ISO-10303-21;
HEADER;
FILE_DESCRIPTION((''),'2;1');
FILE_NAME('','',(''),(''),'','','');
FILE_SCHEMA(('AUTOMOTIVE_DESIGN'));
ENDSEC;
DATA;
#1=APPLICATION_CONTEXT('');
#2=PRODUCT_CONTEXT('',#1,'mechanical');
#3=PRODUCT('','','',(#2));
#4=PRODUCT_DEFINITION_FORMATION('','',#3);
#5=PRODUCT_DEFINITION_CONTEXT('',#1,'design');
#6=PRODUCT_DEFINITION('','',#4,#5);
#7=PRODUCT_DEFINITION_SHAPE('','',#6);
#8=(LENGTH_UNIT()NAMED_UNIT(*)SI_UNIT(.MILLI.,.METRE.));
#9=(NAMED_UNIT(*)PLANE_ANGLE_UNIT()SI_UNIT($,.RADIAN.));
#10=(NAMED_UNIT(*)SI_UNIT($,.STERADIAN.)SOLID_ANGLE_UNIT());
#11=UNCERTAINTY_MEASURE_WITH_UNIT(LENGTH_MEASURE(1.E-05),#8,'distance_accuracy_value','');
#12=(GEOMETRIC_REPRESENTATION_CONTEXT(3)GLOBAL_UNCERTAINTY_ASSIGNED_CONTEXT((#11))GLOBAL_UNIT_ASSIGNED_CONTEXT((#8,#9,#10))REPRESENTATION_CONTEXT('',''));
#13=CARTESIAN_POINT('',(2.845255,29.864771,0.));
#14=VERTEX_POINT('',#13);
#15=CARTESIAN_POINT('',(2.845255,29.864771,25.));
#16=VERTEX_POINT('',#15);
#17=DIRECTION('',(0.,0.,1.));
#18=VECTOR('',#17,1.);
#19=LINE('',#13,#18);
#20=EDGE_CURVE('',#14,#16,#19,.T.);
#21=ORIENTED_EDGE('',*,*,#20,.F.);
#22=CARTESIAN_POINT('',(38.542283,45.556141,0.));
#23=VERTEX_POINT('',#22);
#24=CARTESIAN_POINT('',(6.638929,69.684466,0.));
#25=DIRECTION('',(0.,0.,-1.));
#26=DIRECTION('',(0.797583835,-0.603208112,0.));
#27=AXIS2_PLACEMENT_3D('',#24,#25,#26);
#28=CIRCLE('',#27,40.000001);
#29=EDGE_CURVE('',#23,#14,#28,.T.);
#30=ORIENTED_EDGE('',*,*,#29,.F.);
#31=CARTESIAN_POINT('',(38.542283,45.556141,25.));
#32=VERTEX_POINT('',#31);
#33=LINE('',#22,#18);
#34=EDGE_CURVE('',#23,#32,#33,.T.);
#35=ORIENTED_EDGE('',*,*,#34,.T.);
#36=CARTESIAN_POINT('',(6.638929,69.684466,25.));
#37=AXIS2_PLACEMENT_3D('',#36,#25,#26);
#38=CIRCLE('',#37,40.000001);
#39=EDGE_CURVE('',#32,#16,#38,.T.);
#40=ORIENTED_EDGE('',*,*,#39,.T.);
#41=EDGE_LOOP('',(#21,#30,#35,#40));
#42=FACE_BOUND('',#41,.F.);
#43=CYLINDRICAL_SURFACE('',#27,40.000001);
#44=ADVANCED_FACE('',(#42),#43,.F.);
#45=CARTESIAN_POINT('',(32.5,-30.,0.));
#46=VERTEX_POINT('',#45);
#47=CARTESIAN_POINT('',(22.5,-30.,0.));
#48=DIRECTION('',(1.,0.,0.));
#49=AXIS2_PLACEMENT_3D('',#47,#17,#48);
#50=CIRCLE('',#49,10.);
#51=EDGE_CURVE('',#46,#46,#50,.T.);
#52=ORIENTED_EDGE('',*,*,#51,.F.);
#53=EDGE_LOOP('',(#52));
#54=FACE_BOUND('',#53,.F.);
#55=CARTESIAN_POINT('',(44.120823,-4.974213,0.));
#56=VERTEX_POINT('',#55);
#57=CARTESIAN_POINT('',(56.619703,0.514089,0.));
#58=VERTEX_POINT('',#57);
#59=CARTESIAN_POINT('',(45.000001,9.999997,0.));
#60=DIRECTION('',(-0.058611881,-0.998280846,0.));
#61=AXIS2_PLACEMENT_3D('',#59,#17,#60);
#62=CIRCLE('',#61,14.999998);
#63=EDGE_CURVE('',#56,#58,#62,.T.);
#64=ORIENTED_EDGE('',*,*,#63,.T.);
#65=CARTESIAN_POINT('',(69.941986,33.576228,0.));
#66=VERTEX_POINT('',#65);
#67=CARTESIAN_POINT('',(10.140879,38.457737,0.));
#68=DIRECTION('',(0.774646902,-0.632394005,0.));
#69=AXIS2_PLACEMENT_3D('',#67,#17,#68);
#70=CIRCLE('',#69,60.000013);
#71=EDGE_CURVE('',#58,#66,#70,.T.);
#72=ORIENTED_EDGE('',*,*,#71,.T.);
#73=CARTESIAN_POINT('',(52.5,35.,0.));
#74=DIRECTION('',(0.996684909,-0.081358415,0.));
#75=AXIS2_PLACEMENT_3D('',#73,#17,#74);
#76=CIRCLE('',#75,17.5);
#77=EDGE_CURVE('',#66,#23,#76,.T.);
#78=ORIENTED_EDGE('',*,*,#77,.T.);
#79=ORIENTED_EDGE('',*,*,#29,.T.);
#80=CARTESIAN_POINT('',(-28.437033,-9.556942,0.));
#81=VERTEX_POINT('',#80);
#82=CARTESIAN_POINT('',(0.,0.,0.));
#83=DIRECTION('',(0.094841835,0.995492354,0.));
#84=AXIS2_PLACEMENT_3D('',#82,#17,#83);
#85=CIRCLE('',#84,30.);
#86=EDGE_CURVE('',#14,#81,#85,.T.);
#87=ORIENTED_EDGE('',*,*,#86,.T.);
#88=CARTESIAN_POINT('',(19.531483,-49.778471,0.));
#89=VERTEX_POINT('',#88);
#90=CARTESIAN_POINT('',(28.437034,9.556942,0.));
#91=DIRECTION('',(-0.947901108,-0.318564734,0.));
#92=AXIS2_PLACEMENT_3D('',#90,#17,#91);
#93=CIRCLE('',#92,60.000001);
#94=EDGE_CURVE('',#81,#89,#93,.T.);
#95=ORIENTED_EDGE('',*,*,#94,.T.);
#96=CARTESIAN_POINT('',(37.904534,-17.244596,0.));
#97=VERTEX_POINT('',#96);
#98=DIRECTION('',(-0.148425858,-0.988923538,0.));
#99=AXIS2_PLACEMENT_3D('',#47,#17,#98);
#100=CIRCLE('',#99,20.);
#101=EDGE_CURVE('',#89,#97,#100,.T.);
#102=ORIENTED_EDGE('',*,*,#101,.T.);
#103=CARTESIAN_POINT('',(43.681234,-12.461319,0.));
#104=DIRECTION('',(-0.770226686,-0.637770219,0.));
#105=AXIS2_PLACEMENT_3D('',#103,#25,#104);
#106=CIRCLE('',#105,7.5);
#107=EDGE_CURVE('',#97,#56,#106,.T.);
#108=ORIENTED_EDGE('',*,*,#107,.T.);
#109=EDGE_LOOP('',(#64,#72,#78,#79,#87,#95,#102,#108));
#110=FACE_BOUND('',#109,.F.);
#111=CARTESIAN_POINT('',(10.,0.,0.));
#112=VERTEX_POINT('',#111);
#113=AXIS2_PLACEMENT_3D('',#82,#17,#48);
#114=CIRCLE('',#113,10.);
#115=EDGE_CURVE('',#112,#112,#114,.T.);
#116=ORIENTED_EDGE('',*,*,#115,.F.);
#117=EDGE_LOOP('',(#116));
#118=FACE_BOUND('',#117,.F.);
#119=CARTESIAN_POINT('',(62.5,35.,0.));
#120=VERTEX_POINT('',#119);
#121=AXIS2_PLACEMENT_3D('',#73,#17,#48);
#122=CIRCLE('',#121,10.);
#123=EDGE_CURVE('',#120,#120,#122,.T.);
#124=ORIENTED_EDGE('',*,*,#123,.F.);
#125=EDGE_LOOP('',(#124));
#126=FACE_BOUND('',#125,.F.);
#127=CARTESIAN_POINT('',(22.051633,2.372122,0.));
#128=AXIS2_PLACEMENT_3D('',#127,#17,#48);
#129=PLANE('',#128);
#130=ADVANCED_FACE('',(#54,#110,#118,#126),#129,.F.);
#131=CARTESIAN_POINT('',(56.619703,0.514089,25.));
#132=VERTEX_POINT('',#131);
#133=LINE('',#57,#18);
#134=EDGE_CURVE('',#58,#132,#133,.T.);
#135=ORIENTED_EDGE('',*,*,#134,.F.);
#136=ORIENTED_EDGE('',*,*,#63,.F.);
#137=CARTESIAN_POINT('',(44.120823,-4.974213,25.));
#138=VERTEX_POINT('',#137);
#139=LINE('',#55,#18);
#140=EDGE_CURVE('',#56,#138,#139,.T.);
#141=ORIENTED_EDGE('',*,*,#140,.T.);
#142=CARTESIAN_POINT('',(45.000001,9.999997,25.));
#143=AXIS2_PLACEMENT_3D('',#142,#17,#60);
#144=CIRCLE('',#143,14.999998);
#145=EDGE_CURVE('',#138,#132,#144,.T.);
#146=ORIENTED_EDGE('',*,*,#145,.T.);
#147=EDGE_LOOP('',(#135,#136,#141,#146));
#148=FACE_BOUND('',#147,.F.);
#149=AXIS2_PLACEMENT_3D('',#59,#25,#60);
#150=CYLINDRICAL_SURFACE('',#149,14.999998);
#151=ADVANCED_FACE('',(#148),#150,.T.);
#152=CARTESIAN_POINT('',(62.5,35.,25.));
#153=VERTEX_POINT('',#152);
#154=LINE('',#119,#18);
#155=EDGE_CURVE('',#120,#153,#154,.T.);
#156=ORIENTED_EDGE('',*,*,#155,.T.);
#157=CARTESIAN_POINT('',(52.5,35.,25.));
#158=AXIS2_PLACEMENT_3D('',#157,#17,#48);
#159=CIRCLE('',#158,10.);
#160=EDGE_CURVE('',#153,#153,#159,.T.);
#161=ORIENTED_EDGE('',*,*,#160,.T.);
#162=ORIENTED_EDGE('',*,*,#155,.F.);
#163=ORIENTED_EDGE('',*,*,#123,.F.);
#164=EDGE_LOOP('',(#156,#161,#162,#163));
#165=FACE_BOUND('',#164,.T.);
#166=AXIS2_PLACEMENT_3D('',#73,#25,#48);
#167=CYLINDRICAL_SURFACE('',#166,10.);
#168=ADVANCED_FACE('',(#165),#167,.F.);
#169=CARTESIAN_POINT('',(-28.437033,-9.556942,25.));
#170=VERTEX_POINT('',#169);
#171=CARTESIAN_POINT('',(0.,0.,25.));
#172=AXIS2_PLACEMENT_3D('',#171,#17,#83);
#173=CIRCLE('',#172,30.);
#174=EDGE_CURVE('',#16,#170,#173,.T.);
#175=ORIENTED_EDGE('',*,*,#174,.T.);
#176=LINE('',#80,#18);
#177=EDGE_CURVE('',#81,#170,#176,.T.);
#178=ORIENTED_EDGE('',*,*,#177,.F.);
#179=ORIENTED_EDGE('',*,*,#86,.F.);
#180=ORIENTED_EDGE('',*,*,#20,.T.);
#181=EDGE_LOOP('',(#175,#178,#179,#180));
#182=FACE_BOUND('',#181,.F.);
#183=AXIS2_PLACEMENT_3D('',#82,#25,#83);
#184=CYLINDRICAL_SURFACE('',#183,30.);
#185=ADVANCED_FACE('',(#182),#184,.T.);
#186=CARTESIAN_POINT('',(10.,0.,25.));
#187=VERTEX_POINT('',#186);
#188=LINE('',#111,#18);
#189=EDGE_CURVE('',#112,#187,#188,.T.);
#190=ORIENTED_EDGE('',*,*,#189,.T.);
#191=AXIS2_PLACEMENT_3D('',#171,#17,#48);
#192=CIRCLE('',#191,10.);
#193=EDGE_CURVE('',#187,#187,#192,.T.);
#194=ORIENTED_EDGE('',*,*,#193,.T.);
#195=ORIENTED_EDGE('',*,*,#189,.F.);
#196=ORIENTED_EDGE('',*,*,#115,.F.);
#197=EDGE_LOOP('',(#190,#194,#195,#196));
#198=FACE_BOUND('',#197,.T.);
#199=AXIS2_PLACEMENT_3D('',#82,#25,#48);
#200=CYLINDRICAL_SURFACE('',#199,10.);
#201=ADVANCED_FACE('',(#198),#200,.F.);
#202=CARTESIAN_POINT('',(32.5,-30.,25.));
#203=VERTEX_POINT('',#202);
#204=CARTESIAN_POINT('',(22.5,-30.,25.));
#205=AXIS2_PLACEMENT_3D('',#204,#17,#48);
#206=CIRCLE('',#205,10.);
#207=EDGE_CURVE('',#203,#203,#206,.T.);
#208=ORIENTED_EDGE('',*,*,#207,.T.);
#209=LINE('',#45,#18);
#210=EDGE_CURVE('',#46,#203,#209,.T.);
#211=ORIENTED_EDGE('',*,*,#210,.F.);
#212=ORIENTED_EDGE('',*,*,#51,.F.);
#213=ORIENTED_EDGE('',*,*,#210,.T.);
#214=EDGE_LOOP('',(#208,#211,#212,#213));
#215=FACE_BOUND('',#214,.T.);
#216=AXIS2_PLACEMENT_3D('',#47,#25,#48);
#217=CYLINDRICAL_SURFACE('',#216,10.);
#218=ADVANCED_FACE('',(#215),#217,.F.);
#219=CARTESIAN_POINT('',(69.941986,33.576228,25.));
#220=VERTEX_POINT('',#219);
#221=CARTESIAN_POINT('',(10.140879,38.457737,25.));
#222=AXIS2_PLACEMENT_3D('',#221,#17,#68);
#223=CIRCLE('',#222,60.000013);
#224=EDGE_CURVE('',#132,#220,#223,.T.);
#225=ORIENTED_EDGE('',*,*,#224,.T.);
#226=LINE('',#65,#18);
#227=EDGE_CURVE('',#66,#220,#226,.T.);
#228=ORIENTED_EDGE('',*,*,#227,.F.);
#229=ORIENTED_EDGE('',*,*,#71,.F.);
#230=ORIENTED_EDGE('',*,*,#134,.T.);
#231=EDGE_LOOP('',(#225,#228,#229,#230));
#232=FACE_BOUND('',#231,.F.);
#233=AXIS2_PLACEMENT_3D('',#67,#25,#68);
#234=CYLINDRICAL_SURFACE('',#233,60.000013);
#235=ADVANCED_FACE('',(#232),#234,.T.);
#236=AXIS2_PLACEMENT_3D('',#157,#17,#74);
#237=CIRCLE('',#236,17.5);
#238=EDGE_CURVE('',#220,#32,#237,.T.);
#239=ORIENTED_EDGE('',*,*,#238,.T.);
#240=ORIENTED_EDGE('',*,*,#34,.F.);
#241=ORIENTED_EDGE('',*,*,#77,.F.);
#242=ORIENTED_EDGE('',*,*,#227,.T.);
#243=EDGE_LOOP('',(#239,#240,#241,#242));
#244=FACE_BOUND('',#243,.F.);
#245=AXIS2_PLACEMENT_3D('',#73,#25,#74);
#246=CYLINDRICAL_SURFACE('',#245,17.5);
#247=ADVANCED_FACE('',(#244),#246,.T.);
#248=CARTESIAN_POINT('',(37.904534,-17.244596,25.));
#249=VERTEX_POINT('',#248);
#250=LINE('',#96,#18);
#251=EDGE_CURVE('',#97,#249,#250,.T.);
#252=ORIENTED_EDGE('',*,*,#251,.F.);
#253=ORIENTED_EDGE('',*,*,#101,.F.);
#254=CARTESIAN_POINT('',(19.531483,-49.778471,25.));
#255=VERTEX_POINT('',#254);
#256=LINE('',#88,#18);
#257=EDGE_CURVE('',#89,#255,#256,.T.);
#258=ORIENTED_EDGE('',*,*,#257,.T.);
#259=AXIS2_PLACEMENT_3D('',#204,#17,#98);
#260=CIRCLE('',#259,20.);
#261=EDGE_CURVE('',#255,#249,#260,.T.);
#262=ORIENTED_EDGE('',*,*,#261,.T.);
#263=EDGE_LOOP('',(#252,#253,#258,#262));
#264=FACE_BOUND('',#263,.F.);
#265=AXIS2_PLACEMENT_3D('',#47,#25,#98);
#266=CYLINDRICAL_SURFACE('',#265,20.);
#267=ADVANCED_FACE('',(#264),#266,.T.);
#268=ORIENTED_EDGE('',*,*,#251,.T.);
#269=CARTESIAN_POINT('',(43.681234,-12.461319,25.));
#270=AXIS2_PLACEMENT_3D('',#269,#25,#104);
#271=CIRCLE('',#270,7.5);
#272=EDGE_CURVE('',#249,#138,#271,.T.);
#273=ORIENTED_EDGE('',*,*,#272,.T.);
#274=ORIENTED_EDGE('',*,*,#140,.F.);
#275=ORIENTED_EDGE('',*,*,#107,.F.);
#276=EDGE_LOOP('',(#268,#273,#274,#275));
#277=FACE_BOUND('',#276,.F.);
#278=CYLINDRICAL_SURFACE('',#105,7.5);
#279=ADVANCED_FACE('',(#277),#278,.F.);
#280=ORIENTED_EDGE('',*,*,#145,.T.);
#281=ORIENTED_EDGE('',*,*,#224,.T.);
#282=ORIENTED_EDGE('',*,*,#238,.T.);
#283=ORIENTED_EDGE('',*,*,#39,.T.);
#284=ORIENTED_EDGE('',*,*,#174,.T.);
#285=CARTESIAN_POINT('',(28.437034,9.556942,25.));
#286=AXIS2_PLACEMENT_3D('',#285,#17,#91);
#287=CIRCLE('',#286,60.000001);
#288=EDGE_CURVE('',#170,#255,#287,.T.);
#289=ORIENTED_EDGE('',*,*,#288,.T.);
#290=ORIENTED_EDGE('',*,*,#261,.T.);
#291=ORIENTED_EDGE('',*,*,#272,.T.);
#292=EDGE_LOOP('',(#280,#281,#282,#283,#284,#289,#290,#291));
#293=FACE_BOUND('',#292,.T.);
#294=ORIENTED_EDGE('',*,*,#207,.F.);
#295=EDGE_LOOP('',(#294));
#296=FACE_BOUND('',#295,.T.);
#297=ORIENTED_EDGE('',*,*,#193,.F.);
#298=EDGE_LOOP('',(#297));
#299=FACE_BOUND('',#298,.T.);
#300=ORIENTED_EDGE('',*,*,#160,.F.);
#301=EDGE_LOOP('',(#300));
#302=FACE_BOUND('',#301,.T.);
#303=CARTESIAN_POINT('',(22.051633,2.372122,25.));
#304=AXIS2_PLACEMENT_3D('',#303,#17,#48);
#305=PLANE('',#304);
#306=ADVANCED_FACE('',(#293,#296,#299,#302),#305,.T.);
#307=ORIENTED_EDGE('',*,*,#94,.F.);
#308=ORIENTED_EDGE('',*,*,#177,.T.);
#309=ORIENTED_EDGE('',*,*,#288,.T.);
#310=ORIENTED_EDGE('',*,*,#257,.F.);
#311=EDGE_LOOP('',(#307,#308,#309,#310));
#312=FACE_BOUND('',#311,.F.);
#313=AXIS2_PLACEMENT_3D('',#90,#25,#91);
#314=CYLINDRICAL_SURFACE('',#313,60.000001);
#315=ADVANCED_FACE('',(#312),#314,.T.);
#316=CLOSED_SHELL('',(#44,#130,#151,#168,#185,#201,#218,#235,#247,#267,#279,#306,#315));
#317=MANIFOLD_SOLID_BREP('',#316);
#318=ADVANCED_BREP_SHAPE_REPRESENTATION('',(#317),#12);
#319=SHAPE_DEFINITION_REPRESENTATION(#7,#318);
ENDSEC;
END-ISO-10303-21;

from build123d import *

# Parameters (mm, degrees)
F0_R     = 10
F1_DEPTH = 25


with BuildPart() as f1:
    # F0 (on Top) → F1 (new body)
    with BuildSketch(Plane.XY):
        with BuildLine():
            ThreePointArc((38.542283, 45.556141), (22.735304, 33.066072), (2.845255, 29.864771))
            ThreePointArc((2.845255, 29.864771), (-23.500056, 18.647986), (-28.437033, -9.556942))
            ThreePointArc((-28.437033, -9.556942), (-10.114002, -36.419331), (19.531483, -49.778471))
            ThreePointArc((19.531483, -49.778471), (39.914847, -39.834791), (37.904534, -17.244596))
            ThreePointArc((37.904534, -17.244596), (36.990811, -9.071889), (44.120823, -4.974213))
            ThreePointArc((44.120823, -4.974213), (51.030762, -3.734261), (56.619703, 0.514089))
            ThreePointArc((56.619703, 0.514089), (65.792763, 16.032989), (69.941986, 33.576228))
            ThreePointArc((69.941986, 33.576228), (58.738158, 51.350394), (38.542283, 45.556141))
        make_face()
        Circle(F0_R, mode=Mode.SUBTRACT)
        with Locations((22.5, -30)):
            Circle(F0_R, mode=Mode.SUBTRACT)
        with Locations((52.5, 35)):
            Circle(F0_R, mode=Mode.SUBTRACT)
    extrude(amount=F1_DEPTH)


solid = f1.part
